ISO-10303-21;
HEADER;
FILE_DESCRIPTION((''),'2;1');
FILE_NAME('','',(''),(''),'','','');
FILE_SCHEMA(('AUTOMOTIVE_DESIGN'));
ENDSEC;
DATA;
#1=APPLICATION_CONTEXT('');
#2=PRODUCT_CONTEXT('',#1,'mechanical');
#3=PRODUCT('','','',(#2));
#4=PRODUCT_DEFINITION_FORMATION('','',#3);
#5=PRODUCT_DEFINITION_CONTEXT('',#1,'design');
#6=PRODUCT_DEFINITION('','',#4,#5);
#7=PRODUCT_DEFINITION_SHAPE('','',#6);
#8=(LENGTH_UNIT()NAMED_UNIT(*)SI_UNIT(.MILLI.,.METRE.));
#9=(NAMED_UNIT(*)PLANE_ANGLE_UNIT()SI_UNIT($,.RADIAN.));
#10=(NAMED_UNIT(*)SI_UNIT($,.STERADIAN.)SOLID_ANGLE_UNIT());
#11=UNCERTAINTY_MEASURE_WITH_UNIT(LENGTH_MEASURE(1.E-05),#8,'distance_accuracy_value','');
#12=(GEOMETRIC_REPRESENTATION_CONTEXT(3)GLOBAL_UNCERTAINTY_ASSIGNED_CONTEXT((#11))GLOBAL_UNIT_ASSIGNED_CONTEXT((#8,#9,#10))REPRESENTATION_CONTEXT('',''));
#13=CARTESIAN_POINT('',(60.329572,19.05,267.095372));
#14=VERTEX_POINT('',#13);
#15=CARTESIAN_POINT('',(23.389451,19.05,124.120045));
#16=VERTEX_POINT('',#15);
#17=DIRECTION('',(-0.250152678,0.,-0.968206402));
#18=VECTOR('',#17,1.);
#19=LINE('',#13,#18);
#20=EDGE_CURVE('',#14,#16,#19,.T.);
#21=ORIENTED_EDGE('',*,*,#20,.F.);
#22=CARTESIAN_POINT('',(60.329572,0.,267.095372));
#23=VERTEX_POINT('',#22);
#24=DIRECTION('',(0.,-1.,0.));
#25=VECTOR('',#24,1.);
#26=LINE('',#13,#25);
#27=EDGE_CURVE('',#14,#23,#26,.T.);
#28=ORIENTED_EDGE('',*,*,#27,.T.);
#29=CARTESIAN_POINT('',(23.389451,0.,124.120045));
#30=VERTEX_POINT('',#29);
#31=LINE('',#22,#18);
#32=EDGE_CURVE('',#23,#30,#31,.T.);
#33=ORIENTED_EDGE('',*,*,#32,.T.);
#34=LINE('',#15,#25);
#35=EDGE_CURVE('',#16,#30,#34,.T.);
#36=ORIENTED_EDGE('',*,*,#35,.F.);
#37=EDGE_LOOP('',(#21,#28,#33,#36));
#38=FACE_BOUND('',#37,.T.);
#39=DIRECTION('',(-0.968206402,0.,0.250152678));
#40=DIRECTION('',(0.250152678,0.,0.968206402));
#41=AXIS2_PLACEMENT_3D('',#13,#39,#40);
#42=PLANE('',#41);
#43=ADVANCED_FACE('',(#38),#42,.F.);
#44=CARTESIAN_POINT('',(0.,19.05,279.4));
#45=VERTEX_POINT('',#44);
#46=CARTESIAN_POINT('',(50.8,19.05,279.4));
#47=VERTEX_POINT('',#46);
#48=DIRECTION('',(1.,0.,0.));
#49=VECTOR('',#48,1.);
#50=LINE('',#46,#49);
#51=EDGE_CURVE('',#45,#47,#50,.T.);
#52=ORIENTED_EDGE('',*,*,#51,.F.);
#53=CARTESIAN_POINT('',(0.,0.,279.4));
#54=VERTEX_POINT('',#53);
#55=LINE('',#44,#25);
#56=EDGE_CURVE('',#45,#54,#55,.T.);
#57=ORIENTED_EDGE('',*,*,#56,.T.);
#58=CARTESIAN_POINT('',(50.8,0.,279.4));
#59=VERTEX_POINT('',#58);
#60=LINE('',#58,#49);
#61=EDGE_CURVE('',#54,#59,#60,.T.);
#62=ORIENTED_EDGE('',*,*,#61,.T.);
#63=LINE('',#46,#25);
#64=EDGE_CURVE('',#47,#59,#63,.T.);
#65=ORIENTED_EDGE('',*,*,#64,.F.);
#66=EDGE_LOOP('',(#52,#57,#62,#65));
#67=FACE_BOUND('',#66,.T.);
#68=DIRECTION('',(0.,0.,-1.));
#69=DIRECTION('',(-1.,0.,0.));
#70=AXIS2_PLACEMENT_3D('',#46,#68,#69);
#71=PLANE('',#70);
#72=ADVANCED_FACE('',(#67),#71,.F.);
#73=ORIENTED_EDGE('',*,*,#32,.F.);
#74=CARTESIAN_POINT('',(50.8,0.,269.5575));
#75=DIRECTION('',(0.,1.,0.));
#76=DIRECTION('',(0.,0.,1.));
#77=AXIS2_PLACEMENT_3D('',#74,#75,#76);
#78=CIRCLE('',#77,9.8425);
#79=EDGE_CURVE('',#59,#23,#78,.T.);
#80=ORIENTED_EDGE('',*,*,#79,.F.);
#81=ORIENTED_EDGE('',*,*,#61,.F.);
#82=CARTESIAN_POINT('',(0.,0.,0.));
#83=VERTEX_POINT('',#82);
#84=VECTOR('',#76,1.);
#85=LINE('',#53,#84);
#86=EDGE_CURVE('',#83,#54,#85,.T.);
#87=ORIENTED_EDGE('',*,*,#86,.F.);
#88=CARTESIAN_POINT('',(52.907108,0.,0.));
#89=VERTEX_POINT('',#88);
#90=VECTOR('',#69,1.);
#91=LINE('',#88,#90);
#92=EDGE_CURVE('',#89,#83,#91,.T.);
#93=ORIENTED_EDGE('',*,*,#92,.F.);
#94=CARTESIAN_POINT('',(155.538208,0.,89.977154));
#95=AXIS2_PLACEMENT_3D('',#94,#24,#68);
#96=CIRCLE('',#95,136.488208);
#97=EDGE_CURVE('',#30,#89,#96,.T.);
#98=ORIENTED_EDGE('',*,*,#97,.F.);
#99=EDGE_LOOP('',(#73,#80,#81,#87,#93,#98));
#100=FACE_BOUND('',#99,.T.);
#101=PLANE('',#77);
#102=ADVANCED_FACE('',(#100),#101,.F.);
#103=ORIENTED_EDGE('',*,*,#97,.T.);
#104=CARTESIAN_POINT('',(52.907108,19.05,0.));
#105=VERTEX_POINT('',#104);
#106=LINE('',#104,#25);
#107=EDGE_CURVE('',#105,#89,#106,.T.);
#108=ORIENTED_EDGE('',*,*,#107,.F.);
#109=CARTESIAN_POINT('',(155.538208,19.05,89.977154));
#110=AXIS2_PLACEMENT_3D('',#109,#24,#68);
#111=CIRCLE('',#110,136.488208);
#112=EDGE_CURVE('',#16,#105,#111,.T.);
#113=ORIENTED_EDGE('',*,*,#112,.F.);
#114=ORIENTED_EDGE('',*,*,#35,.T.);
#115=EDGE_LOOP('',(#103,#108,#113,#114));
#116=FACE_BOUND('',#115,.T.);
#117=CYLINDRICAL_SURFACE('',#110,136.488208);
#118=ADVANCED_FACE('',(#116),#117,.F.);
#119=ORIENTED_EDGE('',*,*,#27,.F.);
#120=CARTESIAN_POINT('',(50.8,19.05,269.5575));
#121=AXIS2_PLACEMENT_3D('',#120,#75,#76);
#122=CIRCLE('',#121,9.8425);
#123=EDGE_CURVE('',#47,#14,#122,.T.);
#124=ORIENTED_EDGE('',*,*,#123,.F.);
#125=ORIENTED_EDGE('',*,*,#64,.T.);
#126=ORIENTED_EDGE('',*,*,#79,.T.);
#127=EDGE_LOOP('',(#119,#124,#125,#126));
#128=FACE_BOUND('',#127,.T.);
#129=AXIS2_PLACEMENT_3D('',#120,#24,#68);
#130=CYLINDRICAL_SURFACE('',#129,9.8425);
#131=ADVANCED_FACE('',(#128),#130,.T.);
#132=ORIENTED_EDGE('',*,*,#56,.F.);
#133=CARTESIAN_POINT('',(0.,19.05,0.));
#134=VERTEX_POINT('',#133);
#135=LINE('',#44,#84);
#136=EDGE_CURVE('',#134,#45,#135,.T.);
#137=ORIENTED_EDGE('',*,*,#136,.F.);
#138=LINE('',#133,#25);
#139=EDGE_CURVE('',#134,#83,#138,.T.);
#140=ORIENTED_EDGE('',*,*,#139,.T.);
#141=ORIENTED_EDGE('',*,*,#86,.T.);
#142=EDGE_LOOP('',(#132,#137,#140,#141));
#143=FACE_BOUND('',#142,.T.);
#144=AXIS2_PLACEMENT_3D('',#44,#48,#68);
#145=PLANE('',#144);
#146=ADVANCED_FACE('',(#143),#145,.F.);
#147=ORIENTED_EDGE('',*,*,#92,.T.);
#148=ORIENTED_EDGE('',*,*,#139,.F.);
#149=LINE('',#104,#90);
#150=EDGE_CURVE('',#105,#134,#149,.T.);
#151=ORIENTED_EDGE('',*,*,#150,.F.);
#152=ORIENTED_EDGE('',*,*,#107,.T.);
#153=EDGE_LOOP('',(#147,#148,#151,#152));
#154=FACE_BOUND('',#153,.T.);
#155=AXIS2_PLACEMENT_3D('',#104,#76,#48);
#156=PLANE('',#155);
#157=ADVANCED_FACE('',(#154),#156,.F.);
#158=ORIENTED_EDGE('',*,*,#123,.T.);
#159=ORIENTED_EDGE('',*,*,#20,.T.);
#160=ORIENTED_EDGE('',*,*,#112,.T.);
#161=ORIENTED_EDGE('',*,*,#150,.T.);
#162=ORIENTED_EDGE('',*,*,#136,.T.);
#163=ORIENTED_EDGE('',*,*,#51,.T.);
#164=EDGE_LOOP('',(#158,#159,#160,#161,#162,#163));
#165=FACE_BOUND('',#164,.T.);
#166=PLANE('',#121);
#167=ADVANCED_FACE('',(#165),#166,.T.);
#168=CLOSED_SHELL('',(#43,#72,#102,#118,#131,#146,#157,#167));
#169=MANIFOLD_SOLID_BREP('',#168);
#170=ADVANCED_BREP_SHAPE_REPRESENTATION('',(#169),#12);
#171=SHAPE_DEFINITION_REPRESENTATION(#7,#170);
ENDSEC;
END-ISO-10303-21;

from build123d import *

# Parameters (mm, degrees)
BOSS_EXTRUDE1_DEPTH = 19.05


with BuildPart() as part:
    # Sketch1 → Boss-Extrude1 (new body)
    with BuildSketch(Plane(origin=(0, 0, 0), x_dir=(1, 0, 0), z_dir=(0, 1, 0))):
        with BuildLine():
            Line((50.8, -279.4), (0, -279.4))
            Line((0, -279.4), (0, 0))
            Line((0, 0), (52.907108287, 0))
            ThreePointArc((52.907108287, 0), (22.753262856, -58.398850563), (23.389451167, -124.120045058))
            Line((23.389451167, -124.120045058), (60.329571515, -267.095372264))
            ThreePointArc((60.329571515, -267.095372264), (58.58165466, -275.584162178), (50.8, -279.4))
        make_face()
    extrude(amount=BOSS_EXTRUDE1_DEPTH)


solid = part.part
